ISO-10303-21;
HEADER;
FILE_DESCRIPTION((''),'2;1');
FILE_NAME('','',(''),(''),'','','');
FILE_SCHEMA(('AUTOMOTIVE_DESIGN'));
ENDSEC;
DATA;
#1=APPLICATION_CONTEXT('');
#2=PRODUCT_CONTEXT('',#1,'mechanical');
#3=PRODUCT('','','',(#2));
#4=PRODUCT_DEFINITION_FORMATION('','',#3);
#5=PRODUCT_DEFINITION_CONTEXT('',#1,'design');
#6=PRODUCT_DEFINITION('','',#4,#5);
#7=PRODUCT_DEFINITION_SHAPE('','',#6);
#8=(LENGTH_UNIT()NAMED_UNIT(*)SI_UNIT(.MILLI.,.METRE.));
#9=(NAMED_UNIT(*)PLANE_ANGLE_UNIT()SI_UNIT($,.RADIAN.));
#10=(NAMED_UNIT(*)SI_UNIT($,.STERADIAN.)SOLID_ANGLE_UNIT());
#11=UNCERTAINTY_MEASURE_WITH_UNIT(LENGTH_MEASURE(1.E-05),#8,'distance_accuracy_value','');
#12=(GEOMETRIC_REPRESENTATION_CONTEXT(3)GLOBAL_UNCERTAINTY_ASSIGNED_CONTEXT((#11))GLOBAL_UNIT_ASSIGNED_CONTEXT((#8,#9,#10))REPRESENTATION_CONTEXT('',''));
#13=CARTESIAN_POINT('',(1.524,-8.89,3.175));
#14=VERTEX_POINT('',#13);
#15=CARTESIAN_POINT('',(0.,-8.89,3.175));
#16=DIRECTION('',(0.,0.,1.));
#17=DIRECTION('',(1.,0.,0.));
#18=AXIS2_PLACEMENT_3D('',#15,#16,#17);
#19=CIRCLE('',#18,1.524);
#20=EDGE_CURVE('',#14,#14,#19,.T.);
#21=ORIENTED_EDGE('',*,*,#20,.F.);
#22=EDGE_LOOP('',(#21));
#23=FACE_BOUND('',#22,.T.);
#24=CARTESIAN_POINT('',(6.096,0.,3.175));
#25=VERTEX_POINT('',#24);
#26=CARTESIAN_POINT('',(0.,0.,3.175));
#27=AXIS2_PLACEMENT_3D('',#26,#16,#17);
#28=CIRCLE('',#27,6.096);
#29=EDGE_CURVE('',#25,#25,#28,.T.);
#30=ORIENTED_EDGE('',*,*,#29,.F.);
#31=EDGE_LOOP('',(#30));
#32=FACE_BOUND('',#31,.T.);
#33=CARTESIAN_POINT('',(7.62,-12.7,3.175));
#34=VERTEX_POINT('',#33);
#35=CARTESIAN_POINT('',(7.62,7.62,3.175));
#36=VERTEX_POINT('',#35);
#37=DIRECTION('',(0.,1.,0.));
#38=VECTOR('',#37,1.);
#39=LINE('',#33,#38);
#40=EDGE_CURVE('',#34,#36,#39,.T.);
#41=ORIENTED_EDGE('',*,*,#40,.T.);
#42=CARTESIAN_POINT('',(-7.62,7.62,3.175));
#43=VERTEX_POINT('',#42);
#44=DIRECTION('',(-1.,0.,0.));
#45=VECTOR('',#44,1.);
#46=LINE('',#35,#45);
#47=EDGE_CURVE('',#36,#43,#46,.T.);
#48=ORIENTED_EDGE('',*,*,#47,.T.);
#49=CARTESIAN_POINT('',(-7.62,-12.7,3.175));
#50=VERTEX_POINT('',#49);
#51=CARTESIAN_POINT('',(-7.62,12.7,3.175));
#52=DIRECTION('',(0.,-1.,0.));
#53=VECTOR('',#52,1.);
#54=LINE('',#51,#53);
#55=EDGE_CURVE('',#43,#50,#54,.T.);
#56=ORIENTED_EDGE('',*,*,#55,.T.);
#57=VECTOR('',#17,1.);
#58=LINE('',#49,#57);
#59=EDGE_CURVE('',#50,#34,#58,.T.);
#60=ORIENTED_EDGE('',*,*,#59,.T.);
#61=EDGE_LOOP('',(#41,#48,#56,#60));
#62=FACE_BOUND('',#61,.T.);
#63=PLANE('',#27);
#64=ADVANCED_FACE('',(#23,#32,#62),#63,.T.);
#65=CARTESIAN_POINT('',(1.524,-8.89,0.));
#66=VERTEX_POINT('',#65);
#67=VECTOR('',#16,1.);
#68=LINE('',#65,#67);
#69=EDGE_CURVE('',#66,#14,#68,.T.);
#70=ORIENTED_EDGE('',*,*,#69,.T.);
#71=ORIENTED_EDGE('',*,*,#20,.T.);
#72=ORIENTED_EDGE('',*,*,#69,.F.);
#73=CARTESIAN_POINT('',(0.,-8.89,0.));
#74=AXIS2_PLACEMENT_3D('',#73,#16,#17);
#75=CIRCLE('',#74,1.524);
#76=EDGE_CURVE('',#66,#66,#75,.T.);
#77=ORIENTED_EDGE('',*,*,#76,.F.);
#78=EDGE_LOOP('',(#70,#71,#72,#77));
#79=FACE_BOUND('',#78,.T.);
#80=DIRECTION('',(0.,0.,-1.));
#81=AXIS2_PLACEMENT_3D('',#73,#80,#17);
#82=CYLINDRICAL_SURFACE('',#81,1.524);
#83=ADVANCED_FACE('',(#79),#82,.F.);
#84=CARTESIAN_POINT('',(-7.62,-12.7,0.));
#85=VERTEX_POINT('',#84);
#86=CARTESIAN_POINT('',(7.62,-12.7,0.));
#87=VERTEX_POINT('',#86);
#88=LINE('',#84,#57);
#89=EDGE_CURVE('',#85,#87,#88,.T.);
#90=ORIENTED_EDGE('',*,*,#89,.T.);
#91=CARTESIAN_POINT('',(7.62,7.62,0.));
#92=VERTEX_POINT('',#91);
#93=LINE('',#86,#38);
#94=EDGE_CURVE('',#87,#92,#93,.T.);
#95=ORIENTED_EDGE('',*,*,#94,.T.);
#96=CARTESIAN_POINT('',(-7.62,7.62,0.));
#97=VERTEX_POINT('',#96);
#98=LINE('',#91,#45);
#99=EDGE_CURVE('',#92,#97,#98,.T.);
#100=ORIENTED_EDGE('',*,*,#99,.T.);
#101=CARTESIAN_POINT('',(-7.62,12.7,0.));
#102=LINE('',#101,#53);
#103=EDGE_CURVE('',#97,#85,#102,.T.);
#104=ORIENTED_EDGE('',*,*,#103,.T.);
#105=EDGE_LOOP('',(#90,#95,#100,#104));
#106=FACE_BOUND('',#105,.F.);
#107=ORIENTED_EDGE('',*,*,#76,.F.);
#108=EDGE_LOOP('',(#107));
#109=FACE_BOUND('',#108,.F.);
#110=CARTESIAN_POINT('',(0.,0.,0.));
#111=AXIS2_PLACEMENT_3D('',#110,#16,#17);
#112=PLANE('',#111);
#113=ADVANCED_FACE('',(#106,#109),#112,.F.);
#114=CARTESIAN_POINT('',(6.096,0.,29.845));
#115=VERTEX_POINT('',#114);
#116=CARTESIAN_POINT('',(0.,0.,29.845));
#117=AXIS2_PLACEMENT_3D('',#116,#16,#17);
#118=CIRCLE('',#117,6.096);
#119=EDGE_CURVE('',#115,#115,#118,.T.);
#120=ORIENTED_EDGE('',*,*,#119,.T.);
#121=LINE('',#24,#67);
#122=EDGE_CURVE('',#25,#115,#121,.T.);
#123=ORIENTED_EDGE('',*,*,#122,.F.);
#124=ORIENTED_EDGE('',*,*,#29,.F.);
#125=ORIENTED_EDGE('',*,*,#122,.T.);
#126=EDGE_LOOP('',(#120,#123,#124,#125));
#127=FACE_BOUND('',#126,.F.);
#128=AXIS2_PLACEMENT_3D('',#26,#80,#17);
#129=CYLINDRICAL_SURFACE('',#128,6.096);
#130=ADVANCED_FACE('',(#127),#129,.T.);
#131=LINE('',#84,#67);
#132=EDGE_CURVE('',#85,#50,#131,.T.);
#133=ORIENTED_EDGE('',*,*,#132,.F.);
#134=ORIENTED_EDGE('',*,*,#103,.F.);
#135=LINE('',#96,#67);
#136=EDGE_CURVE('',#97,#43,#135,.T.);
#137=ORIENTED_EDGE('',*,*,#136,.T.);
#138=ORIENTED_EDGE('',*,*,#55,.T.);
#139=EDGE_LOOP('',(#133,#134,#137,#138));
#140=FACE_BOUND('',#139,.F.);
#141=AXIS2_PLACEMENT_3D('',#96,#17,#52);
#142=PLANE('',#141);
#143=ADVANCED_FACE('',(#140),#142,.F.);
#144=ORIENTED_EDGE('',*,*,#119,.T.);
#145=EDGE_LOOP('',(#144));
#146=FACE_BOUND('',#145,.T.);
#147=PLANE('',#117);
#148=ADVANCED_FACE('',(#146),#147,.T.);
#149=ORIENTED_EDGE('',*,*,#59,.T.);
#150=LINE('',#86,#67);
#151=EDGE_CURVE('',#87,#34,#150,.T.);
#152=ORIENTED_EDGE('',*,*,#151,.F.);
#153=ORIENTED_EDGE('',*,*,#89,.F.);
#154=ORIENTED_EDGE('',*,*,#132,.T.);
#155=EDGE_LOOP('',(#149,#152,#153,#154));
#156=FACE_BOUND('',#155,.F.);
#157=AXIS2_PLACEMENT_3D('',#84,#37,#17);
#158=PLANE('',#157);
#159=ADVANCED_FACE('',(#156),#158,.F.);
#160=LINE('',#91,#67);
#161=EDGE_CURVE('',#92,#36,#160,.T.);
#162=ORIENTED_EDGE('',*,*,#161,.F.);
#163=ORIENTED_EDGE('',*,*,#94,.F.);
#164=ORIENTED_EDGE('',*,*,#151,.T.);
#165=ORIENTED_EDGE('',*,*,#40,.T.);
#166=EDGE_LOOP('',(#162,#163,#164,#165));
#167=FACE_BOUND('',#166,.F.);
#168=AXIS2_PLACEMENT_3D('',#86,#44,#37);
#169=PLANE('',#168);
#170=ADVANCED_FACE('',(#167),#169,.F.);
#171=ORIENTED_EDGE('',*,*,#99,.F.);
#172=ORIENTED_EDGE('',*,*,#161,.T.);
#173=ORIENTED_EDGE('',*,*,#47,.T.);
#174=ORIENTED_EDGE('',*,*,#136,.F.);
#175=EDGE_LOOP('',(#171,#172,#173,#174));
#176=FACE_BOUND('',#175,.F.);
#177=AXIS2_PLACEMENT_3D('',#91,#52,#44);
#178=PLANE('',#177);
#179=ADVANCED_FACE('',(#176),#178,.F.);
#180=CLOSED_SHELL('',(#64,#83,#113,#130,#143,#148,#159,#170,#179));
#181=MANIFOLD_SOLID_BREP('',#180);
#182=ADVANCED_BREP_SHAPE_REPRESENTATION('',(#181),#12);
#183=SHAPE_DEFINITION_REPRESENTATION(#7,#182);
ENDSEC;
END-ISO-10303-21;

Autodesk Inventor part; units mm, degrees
ref_plane "YZ Plane" through (0, 0, 0) normal (1, 0, 0) x (0, 1, 0)
ref_plane "XZ Plane" through (0, 0, 0) normal (0, 1, 0) x (-1, 0, 0)
ref_plane "XY Plane" through (0, 0, 0) normal (0, 0, 1) x (1, 0, 0)
sketch "Sketch1" plane through (0, 0, 0) normal (0, 0, 1) x (1, 0, 0)
  line L0 (7.62, 12.7) -> (-7.62, 12.7)
  line L1 (-7.62, 12.7) -> (-7.62, -12.7)
  line L2 (-7.62, -12.7) -> (7.62, -12.7)
  line L3 (7.62, -12.7) -> (7.62, 12.7)
  line L4 (7.62, 12.7) -> (-7.62, -12.7) construction
  line L5 (-7.62, 12.7) -> (7.62, -12.7) construction
  circle A0 centre (0, 0) radius 6.096
  circle A1 centre (0, -8.89) radius 1.524
  line L6 (7.62, 7.62) -> (-7.62, 7.62)
  point P0 (0, 7.62)
  dimension "d0" = 12.192
  dimension "d1" = 15.24
  dimension "d2" = 25.4
  dimension "d7" = 3.048
  dimension "d8" = 8.89
  dimension "d10" = 7.62
extrude "Extrusion1" add sketch "Sketch1" along normal blind 3.175 contours L3 L2 L1 L6 | A0
extrude "Extrusion2" add sketch "Sketch1" along normal blind 26.67 from surface at 3.175 contours A0
properties part number "FRONT_AXEL"
